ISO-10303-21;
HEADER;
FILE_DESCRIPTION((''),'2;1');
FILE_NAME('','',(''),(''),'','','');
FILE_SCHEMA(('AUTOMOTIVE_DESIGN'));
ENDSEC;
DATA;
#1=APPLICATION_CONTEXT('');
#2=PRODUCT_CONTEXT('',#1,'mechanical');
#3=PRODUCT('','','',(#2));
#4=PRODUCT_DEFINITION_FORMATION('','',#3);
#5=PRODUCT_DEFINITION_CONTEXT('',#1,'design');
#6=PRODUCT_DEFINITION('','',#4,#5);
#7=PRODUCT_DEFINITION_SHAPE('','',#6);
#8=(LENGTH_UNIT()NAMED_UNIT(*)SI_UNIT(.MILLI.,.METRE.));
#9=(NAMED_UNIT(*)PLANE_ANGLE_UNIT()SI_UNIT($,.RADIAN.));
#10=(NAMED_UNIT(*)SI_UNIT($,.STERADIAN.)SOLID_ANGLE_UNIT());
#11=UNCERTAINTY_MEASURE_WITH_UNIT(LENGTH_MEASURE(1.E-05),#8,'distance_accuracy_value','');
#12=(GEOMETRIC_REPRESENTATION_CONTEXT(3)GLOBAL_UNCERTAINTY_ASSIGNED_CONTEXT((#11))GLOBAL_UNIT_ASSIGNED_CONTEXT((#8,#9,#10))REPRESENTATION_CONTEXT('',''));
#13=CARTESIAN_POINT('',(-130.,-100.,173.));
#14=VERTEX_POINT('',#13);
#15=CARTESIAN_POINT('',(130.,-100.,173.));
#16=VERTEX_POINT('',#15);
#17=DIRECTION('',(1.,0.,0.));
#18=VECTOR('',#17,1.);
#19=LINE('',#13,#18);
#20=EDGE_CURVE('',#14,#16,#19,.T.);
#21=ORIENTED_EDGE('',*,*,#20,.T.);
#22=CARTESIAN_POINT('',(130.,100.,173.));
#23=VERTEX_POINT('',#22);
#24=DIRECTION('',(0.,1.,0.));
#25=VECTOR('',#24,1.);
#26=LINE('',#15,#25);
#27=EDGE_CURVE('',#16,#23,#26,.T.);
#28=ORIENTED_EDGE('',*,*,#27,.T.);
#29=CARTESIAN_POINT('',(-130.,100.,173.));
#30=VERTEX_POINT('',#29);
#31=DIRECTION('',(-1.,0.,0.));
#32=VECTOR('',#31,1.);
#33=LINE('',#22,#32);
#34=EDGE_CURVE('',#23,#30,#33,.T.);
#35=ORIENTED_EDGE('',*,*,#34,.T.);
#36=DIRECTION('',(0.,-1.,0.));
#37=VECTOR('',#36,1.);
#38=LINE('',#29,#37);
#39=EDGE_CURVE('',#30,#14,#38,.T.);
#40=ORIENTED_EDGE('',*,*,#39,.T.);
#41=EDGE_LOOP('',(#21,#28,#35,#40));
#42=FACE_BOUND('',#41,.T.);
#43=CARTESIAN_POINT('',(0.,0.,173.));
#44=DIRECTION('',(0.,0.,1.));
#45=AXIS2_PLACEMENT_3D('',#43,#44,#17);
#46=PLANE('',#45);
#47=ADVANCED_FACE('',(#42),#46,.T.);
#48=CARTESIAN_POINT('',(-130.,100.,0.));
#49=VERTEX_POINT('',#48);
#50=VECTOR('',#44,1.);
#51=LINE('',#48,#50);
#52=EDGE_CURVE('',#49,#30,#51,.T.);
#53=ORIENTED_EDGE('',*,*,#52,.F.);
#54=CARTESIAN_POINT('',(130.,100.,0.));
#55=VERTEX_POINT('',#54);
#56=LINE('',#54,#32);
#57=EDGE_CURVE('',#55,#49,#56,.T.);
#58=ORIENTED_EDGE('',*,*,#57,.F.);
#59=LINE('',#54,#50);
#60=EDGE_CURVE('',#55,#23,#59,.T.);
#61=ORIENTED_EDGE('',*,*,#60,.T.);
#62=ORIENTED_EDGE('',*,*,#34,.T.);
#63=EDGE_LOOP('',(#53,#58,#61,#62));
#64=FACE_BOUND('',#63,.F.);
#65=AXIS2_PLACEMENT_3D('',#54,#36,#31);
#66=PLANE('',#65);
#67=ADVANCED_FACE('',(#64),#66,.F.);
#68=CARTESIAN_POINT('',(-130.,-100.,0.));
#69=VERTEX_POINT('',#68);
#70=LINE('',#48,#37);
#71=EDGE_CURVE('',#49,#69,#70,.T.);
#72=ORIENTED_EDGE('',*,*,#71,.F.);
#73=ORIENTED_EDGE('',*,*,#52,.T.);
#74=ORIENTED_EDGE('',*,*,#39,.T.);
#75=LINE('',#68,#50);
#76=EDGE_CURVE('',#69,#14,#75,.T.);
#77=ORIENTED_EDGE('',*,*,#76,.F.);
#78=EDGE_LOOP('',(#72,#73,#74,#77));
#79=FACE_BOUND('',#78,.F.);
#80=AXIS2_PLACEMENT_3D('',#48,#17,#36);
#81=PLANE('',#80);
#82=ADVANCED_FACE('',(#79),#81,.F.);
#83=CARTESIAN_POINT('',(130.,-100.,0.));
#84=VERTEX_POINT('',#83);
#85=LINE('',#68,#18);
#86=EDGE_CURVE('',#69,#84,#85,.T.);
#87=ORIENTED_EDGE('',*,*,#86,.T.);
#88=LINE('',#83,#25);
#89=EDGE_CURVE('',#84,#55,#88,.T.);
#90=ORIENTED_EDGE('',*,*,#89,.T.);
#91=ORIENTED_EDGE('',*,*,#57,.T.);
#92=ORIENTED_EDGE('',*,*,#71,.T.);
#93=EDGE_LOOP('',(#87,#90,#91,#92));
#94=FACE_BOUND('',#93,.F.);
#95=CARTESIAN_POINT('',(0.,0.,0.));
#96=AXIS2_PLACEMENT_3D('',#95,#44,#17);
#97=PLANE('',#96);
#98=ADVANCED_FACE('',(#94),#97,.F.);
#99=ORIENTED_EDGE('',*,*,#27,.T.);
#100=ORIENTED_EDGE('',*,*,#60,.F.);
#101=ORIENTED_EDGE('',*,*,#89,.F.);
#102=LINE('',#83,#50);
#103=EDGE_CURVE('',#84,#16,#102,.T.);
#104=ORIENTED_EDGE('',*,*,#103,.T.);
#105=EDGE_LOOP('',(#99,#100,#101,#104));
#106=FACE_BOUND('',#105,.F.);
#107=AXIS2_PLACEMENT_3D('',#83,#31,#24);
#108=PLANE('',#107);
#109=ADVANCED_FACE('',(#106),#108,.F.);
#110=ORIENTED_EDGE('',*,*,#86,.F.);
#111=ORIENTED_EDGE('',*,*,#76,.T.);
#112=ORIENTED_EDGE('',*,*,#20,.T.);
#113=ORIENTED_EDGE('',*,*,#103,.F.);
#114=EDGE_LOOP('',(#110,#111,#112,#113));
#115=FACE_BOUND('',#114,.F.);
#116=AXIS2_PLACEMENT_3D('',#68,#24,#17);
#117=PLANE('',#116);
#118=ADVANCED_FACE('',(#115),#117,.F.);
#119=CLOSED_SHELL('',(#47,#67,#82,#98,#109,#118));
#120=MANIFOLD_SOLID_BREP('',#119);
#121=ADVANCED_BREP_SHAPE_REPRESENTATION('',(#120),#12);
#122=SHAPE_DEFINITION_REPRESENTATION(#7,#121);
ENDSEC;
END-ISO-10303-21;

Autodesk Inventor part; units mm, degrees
ref_plane "YZ Plane" through (0, 0, 0) normal (1, 0, 0) x (0, 1, 0)
ref_plane "XZ Plane" through (0, 0, 0) normal (0, 1, 0) x (-1, 0, 0)
ref_plane "XY Plane" through (0, 0, 0) normal (0, 0, 1) x (1, 0, 0)
sketch "Sketch1" plane through (0, 0, 0) normal (0, 0, 1) x (1, 0, 0)
  line L0 (-130, -100) -> (130, -100)
  line L1 (130, -100) -> (130, 100)
  line L2 (130, 100) -> (-130, 100)
  line L3 (-130, 100) -> (-130, -100)
  line L4 (-130, -100) -> (130, 100) construction
  line L5 (130, -100) -> (-130, 100) construction
  point P0 (0, 0)
  dimension "d0" = 260
  dimension "d1" = 200
extrude "Extrusion1" add sketch "Sketch1" along normal blind 173
properties part number "Battery"
